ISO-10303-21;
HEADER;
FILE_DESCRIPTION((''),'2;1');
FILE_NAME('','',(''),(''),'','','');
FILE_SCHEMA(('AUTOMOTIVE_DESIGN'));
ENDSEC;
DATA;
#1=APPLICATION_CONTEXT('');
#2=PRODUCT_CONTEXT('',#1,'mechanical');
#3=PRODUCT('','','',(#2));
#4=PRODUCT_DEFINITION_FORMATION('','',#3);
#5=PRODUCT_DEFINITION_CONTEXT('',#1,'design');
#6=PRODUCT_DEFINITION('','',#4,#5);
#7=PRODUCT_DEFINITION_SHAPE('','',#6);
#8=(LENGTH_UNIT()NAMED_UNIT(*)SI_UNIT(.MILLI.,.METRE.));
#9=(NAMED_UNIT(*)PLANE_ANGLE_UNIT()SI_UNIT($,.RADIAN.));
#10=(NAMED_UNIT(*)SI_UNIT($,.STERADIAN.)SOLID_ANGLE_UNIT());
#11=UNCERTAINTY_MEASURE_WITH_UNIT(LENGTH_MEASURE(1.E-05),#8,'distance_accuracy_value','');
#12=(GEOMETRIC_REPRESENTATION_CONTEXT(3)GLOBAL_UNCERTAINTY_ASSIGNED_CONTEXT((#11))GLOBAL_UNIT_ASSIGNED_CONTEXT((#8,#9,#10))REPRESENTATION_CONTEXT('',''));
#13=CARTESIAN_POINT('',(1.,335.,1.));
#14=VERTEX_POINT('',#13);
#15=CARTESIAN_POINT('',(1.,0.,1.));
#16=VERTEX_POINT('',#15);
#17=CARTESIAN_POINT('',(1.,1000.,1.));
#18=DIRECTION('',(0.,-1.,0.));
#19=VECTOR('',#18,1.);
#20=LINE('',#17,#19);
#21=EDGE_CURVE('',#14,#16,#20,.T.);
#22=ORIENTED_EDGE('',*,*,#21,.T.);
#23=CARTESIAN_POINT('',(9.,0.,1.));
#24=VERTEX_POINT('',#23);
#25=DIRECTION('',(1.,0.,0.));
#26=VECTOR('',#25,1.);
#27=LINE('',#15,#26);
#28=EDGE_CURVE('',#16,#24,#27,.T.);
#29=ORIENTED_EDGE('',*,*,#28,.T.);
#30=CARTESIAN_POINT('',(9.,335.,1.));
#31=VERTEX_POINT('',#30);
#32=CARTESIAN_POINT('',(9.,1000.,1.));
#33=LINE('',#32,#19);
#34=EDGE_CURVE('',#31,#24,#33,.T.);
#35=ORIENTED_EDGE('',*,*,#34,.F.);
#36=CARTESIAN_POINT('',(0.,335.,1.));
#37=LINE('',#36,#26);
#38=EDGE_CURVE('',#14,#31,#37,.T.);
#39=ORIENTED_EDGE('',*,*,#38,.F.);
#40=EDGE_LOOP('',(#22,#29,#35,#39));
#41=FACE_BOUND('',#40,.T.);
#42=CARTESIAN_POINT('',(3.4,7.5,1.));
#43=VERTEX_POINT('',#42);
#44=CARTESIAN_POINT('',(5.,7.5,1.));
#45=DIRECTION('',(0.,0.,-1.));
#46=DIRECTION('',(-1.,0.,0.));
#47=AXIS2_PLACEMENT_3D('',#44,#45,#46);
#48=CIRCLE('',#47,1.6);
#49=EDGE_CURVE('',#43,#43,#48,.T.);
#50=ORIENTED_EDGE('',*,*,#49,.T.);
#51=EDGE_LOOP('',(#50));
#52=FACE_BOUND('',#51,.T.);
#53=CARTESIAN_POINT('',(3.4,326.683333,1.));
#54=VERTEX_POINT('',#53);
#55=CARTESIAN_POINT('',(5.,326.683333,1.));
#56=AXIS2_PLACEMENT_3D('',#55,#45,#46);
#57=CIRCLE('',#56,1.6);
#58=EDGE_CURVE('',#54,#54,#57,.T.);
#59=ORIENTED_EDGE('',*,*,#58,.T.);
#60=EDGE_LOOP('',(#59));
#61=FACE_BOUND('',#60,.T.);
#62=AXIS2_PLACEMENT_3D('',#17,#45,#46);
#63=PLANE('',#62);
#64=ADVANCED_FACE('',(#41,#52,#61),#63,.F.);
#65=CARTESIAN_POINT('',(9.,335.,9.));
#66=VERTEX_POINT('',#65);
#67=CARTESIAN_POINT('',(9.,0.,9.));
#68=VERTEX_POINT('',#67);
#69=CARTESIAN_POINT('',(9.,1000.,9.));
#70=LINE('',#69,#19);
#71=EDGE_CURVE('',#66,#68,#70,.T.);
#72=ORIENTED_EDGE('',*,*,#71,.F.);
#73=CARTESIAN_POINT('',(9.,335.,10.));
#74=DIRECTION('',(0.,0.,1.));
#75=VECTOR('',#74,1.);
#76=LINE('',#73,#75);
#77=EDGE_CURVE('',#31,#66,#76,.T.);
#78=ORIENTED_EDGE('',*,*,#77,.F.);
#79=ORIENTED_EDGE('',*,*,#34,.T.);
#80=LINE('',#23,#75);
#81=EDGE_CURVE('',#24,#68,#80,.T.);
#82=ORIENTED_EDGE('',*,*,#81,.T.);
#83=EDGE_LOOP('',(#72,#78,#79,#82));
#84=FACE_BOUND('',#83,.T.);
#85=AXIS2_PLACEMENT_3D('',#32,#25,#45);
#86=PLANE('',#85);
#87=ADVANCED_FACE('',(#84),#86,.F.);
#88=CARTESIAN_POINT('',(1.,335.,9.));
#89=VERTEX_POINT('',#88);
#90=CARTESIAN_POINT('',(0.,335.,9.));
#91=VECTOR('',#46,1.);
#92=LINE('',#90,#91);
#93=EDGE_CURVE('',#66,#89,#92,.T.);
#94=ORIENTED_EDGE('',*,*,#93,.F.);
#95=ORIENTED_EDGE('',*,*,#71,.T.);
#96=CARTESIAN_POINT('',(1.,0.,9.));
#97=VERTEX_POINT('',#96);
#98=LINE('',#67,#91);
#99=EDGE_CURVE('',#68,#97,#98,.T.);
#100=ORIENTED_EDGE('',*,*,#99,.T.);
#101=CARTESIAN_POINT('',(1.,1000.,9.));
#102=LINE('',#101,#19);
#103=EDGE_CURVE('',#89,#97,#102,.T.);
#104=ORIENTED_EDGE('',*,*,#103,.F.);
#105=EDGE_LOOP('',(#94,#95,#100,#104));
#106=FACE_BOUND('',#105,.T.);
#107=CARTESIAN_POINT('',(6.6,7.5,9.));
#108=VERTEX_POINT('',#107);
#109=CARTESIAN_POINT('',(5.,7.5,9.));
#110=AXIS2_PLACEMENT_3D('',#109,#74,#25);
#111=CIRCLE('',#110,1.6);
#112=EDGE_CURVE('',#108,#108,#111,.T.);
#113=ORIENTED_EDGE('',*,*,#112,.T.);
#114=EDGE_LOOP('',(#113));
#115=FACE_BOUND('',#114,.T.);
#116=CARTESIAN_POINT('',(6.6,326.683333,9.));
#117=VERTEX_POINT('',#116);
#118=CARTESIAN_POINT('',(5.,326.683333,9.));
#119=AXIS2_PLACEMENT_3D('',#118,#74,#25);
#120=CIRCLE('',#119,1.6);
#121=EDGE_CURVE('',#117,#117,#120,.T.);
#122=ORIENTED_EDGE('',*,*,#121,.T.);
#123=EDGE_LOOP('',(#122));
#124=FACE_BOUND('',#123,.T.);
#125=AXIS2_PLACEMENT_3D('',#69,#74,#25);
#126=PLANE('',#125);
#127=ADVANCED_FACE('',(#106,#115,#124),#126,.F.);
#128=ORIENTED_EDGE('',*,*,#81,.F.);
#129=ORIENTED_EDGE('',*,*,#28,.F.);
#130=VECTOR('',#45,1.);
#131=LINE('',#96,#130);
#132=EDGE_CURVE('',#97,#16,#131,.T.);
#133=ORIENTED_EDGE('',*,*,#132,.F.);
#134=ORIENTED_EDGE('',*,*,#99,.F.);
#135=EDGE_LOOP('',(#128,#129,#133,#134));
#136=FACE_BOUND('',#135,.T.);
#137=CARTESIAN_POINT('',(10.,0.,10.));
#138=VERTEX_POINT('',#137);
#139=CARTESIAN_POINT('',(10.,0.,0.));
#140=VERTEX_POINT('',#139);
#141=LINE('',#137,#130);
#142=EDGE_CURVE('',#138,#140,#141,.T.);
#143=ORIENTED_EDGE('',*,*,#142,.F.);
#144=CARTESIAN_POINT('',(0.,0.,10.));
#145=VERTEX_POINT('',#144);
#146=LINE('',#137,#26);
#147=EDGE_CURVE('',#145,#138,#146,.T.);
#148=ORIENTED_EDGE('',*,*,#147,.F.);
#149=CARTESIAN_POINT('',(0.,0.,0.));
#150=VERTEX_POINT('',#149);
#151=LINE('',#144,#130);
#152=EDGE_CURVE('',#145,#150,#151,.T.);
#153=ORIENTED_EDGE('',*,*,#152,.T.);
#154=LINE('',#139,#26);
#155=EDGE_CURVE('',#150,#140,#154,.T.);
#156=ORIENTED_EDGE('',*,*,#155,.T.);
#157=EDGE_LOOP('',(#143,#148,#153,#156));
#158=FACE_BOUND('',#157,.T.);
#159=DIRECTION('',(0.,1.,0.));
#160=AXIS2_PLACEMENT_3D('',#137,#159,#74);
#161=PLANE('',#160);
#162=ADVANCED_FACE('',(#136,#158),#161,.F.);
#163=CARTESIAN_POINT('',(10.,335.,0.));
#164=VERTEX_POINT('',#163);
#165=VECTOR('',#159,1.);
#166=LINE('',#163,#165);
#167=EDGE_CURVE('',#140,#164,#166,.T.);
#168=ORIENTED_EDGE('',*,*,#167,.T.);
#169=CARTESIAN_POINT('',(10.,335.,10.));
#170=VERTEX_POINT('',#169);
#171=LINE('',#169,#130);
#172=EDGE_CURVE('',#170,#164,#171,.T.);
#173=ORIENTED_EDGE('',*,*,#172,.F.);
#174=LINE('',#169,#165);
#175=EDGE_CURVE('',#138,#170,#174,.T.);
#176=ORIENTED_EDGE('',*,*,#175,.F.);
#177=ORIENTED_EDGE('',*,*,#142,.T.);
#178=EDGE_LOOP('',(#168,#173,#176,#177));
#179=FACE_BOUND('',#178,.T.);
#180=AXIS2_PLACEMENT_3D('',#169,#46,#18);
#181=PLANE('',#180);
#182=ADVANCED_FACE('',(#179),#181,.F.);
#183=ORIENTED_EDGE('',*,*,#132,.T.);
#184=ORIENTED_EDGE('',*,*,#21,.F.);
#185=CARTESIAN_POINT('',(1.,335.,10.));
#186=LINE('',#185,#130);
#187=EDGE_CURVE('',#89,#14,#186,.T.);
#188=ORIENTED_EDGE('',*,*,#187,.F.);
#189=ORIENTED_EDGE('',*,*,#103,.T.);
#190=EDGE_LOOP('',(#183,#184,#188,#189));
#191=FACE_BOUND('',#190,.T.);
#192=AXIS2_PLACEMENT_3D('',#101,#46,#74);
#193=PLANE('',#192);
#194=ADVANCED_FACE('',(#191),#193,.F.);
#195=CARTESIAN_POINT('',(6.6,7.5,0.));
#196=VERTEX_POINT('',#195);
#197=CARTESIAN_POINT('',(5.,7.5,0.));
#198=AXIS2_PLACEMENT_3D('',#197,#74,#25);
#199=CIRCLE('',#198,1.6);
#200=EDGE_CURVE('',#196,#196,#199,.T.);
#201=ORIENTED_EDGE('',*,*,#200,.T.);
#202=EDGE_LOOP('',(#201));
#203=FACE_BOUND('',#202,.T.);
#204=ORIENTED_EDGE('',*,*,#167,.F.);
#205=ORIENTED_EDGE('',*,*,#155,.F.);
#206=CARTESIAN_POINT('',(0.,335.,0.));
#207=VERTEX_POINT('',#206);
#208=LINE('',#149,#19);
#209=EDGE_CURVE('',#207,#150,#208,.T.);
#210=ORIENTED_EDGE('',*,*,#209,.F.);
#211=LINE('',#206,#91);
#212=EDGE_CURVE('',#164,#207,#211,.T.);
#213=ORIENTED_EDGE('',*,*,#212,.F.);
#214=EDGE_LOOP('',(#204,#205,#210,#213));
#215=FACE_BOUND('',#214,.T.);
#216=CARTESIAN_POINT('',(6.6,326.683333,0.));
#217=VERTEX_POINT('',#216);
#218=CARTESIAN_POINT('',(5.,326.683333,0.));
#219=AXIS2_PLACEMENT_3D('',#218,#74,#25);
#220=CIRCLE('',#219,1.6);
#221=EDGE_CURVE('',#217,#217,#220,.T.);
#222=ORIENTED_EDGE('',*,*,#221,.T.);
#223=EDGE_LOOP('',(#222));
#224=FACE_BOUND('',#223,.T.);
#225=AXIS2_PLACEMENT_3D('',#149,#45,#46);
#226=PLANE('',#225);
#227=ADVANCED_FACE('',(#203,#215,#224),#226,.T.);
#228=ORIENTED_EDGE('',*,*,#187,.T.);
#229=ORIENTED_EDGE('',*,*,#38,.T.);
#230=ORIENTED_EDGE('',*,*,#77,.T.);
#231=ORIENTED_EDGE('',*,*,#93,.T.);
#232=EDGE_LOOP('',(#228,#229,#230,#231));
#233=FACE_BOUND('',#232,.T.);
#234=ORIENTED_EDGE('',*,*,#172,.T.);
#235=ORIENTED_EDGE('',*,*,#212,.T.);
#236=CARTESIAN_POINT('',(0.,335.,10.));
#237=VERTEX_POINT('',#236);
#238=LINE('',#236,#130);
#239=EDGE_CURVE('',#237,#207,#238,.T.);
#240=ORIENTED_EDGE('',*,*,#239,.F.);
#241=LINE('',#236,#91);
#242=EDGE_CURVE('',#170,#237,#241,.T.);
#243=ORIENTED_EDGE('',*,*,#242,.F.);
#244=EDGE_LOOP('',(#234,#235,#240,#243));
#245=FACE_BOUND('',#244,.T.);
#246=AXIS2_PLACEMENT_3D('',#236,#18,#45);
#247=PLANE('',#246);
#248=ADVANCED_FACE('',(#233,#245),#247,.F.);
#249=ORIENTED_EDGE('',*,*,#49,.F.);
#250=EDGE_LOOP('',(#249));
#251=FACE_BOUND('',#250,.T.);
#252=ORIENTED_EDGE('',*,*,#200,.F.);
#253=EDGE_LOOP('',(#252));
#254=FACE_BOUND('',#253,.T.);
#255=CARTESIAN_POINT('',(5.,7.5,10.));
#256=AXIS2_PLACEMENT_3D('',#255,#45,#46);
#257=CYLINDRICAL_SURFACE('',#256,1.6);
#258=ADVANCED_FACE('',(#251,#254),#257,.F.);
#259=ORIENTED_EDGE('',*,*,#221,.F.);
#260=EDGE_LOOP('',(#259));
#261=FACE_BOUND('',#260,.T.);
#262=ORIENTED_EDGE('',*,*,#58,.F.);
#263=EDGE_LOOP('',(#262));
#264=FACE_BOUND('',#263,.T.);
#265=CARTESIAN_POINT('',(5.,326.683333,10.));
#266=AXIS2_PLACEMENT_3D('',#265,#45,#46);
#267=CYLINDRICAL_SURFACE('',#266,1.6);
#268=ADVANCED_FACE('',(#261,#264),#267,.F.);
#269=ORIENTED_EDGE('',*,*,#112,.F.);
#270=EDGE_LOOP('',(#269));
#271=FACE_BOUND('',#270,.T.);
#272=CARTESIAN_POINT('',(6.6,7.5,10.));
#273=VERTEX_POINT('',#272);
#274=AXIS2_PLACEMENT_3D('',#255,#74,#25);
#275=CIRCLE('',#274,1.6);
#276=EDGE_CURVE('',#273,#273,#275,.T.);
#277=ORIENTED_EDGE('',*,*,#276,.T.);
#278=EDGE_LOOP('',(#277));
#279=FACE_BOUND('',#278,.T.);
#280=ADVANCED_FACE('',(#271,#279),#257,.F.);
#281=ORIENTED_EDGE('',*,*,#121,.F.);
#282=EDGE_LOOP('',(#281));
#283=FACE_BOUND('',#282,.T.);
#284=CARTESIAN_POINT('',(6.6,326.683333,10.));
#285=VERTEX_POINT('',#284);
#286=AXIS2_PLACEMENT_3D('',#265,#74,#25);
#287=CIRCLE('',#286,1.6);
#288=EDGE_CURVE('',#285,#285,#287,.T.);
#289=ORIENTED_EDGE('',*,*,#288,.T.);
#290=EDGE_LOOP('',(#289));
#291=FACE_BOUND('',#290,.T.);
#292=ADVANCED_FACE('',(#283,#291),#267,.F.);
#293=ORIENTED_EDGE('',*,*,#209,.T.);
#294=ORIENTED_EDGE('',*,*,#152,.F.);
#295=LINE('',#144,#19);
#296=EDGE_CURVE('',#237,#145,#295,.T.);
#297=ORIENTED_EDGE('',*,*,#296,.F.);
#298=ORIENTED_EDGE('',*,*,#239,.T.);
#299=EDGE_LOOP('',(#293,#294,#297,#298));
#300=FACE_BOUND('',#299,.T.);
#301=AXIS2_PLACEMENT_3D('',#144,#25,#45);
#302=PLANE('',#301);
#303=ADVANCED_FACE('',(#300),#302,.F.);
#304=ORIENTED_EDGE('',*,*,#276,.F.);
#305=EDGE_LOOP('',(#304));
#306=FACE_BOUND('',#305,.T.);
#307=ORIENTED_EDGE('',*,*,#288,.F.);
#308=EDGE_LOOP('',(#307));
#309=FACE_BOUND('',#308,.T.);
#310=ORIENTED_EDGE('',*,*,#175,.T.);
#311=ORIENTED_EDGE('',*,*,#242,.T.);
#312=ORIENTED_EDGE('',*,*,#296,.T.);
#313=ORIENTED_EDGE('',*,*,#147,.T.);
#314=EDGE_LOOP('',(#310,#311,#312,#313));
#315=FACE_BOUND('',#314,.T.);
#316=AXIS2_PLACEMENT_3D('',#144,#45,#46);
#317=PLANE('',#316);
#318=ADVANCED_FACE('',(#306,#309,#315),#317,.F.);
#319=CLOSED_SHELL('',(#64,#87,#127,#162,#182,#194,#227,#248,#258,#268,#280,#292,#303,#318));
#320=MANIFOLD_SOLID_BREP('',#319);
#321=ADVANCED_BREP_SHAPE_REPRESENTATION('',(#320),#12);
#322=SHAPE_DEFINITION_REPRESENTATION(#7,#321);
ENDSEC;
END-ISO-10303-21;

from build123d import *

# Parameters (mm, degrees)
SKETCH_1_W          = 10
SKETCH_1_H          = 335
SKETCH_1_R          = 1.6
EXTRUDE_1_DEPTH     = 10
SKETCH_2_W          = 8
SKETCH_2_H          = 8
CUT_EXTRUDE_1_DEPTH = 1000


with BuildPart() as part:
    # ｽｹｯﾁ1 → ﾎﾞｽ - 押し出し1 (new body)
    with BuildSketch(Plane.XY):
        with Locations((5, 167.5)):
            Rectangle(SKETCH_1_W, SKETCH_1_H)
        with Locations((5, 326.683332908)):
            Circle(SKETCH_1_R, mode=Mode.SUBTRACT)
        with Locations((5, 7.5)):
            Circle(SKETCH_1_R, mode=Mode.SUBTRACT)
    extrude(amount=EXTRUDE_1_DEPTH)

    # ｽｹｯﾁ2 → ｶｯﾄ - 押し出し1 (cut)
    with BuildSketch(Plane.XZ):
        with Locations((5, 5)):
            Rectangle(SKETCH_2_W, SKETCH_2_H)
    extrude(amount=-CUT_EXTRUDE_1_DEPTH, mode=Mode.SUBTRACT)


solid = part.part
